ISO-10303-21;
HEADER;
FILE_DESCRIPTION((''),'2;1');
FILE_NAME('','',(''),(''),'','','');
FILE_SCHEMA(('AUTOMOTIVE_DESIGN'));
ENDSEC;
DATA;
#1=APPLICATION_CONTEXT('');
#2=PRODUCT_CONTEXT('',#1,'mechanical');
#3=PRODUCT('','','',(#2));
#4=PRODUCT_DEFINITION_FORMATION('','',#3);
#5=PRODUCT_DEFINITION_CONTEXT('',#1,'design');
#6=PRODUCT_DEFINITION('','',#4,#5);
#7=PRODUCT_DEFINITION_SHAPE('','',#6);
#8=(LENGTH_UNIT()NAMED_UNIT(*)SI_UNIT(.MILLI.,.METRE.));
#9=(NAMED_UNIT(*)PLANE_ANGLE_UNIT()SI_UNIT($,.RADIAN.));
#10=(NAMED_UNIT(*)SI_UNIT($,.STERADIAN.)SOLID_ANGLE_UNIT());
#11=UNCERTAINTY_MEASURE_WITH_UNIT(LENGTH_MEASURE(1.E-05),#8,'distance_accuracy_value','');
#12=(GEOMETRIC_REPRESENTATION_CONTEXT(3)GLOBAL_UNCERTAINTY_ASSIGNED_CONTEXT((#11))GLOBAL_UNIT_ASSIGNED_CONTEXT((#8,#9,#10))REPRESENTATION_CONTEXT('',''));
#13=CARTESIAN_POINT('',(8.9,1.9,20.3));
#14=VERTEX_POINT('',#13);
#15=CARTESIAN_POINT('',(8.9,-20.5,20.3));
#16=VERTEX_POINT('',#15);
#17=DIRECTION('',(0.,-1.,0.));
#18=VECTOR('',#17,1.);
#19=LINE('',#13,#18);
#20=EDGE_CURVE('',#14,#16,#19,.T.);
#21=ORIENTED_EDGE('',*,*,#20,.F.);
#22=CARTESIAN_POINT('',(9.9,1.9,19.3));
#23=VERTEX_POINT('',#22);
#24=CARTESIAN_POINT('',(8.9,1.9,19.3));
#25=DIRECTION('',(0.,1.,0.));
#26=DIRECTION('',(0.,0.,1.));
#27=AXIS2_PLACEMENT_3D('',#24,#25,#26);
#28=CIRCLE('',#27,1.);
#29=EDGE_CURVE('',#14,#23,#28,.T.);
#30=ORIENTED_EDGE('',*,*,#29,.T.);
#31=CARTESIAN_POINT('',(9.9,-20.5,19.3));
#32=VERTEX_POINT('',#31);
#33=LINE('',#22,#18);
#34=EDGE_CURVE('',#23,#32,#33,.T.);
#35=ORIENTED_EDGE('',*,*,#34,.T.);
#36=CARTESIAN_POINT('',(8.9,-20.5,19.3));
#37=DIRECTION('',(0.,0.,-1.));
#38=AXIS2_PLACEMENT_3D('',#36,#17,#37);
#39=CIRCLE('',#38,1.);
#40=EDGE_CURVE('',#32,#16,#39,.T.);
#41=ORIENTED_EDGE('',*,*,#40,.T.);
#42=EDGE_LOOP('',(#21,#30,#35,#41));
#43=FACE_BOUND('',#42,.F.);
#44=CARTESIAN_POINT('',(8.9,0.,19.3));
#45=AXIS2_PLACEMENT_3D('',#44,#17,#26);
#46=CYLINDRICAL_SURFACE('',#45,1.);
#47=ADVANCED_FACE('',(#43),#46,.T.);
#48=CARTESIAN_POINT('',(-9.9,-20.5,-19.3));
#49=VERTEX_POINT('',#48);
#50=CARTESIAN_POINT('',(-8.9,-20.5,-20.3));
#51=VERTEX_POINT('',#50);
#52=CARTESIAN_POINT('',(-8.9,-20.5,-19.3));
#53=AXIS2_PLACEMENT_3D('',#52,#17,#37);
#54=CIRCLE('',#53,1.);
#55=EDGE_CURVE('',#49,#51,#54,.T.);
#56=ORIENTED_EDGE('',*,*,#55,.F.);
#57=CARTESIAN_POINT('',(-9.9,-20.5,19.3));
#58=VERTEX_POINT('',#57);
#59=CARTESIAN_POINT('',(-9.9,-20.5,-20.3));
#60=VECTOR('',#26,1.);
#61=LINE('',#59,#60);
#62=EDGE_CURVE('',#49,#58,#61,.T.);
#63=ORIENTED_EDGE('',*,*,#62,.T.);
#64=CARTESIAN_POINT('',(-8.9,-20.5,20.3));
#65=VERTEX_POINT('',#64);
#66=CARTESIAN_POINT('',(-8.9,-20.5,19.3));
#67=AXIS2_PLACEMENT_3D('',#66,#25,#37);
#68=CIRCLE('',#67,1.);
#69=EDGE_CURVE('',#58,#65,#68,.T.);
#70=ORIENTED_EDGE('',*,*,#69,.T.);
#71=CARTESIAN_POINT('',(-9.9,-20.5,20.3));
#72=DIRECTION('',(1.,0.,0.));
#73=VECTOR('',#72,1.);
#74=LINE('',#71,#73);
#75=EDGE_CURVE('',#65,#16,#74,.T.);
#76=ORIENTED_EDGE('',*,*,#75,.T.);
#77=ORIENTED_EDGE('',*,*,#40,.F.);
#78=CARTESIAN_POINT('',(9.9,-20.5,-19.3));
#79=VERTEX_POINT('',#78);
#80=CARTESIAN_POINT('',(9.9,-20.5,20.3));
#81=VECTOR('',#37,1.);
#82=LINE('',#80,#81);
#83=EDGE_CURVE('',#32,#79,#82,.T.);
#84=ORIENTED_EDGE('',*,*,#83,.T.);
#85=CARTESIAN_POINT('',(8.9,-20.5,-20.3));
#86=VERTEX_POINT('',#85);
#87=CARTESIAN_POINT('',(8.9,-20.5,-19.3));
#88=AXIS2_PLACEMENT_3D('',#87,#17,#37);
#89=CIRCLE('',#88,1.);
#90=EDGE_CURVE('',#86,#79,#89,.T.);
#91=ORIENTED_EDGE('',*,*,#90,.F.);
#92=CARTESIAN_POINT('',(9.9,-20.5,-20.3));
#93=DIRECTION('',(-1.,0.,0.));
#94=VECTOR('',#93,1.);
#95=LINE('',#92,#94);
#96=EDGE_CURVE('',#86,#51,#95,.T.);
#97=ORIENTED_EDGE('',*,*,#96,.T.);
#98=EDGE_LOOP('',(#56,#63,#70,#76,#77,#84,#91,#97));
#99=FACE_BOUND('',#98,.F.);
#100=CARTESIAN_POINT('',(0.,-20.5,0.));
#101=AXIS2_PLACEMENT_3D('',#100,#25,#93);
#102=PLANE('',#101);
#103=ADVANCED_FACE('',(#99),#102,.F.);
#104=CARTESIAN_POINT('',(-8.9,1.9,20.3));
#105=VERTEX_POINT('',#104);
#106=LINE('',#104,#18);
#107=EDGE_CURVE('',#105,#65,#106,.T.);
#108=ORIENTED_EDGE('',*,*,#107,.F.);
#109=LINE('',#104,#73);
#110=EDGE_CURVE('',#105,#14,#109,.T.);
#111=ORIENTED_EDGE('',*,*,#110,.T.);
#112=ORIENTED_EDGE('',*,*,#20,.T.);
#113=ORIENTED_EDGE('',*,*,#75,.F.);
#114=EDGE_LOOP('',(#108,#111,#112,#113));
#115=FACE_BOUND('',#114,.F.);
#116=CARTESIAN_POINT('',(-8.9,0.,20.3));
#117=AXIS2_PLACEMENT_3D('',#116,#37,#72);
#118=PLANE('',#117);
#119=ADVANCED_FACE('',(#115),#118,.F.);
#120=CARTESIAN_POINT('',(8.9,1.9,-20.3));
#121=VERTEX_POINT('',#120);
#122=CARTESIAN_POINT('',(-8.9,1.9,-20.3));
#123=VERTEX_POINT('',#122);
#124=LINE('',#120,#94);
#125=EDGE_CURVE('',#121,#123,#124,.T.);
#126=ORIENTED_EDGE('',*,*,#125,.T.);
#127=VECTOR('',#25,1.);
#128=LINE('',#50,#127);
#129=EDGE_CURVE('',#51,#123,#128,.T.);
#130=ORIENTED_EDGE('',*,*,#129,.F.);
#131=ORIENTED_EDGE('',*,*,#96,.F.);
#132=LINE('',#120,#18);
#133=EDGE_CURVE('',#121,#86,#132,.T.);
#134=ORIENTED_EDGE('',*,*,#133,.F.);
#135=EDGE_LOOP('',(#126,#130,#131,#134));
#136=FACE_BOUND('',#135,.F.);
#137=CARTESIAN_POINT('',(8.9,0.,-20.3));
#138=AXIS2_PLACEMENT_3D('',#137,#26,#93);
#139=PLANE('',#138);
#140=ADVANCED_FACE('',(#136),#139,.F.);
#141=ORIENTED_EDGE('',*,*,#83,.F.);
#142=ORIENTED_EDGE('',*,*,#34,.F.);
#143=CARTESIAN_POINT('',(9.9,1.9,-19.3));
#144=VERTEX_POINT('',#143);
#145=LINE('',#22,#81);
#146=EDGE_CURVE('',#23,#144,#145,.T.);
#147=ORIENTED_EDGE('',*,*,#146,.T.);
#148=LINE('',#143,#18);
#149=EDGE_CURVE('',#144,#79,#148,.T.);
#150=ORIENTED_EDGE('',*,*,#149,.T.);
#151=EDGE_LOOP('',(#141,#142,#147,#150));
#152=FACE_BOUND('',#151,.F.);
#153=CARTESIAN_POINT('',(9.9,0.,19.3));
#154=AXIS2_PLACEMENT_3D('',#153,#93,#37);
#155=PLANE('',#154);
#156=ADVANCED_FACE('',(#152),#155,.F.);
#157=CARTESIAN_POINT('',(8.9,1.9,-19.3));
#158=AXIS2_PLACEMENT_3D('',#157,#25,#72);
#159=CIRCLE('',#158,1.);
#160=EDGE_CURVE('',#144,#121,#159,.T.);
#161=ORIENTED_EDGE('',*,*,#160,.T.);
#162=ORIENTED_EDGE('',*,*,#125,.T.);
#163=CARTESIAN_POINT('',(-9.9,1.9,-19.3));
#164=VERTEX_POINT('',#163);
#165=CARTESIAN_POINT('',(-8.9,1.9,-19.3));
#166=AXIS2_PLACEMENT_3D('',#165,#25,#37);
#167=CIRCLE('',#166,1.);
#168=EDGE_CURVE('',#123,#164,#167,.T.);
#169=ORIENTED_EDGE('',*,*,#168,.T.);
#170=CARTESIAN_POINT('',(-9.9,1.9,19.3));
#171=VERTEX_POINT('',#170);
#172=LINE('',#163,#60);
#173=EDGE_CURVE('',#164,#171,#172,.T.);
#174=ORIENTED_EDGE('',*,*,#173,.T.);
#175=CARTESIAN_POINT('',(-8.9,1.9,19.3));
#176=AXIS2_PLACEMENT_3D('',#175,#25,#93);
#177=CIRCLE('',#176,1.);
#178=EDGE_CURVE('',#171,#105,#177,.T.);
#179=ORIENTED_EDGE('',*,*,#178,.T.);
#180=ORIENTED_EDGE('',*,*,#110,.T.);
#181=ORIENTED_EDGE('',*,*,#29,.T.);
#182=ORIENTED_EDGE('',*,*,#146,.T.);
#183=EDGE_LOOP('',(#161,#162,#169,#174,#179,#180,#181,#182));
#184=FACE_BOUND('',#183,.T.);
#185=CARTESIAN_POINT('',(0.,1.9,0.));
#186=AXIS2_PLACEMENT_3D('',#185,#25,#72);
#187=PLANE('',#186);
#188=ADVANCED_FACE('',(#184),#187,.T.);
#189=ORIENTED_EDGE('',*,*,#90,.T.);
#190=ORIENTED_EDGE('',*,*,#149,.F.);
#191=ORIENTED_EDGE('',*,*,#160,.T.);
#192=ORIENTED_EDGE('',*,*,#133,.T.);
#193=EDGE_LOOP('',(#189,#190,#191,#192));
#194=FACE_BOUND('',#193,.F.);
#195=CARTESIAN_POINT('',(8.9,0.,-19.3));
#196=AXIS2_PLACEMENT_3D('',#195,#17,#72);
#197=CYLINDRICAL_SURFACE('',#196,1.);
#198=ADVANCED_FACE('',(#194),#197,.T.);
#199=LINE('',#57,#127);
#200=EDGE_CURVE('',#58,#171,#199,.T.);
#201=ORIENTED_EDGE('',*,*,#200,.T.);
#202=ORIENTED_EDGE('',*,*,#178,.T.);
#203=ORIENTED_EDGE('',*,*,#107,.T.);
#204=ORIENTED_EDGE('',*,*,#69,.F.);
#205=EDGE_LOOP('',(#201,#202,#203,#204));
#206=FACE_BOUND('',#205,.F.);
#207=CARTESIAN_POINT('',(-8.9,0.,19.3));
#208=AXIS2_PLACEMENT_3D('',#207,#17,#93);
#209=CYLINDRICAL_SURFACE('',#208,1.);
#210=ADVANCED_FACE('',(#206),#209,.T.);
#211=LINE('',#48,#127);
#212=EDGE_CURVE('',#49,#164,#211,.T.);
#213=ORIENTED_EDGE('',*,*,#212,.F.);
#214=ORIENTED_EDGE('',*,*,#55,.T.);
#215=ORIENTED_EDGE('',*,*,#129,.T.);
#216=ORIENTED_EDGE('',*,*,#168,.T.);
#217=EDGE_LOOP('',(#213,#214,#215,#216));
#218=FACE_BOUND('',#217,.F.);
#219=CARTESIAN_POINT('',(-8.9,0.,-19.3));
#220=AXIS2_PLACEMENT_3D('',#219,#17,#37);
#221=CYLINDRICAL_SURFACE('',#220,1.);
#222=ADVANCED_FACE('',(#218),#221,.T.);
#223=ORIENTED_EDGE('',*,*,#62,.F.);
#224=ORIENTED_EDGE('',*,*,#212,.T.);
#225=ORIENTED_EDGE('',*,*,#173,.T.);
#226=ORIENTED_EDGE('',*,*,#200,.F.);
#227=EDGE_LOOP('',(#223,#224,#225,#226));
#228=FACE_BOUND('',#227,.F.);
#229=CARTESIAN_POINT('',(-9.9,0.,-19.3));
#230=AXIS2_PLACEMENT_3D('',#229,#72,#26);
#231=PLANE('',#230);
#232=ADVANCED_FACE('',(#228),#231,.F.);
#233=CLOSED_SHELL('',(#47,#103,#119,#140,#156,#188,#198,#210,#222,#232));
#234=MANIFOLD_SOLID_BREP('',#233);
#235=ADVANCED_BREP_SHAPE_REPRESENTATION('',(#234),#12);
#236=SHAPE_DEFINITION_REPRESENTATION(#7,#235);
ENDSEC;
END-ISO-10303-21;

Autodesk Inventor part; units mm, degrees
ref_plane "YZ Plane" through (0, 0, 0) normal (1, 0, 0) x (0, 1, 0)
ref_plane "XZ Plane" through (0, 0, 0) normal (0, 1, 0) x (-1, 0, 0)
ref_plane "XY Plane" through (0, 0, 0) normal (0, 0, 1) x (1, 0, 0)
sketch "Boceto1" plane through (0, 0, 0) normal (0, 1, 0) x (-1, 0, 0)
  line L0 (9.9, 20.3) -> (-9.9, 20.3)
  line L1 (-9.9, 20.3) -> (-9.9, -20.3)
  line L2 (-9.9, -20.3) -> (9.9, -20.3)
  line L3 (9.9, -20.3) -> (9.9, 20.3)
  line L4 (9.9, 20.3) -> (-9.9, -20.3) construction
  line L5 (-9.9, 20.3) -> (9.9, -20.3) construction
  point P0 (0, 0)
  dimension "d0" = 19.8
  dimension "d1" = 40.6
extrude "Extrusión1" add sketch "Boceto1" against normal blind 20.5
fillet "Empalme1" radius 1 4 edges at (9.9, -10.25, 20.3) (-9.9, -10.25, 20.3) (9.9, -10.25, -20.3) (-9.9, -10.25, -20.3)
sketch "Sketch2" plane through (0, 0, 0) normal (0, 1, 0) x (1, 0, 0)
  arc A0 (-8.9, 20.3) -> (-9.9, 19.3) centre (-8.9, 19.3) ccw projected
  line L0 (-9.9, 19.3) -> (-9.9, -19.3) projected
  arc A1 (-9.9, -19.3) -> (-8.9, -20.3) centre (-8.9, -19.3) ccw projected
  line L1 (-8.9, -20.3) -> (8.9, -20.3) projected
  arc A2 (8.9, -20.3) -> (9.9, -19.3) centre (8.9, -19.3) ccw projected
  line L2 (9.9, -19.3) -> (9.9, 19.3) projected
  arc A3 (9.9, 19.3) -> (8.9, 20.3) centre (8.9, 19.3) ccw projected
  line L3 (8.9, 20.3) -> (-8.9, 20.3) projected
  point P0 (0, 0)
extrude "Extrusion2" add sketch "Sketch2" along normal blind 1.9
properties part number "Medio" material "Aluminum 6061"
